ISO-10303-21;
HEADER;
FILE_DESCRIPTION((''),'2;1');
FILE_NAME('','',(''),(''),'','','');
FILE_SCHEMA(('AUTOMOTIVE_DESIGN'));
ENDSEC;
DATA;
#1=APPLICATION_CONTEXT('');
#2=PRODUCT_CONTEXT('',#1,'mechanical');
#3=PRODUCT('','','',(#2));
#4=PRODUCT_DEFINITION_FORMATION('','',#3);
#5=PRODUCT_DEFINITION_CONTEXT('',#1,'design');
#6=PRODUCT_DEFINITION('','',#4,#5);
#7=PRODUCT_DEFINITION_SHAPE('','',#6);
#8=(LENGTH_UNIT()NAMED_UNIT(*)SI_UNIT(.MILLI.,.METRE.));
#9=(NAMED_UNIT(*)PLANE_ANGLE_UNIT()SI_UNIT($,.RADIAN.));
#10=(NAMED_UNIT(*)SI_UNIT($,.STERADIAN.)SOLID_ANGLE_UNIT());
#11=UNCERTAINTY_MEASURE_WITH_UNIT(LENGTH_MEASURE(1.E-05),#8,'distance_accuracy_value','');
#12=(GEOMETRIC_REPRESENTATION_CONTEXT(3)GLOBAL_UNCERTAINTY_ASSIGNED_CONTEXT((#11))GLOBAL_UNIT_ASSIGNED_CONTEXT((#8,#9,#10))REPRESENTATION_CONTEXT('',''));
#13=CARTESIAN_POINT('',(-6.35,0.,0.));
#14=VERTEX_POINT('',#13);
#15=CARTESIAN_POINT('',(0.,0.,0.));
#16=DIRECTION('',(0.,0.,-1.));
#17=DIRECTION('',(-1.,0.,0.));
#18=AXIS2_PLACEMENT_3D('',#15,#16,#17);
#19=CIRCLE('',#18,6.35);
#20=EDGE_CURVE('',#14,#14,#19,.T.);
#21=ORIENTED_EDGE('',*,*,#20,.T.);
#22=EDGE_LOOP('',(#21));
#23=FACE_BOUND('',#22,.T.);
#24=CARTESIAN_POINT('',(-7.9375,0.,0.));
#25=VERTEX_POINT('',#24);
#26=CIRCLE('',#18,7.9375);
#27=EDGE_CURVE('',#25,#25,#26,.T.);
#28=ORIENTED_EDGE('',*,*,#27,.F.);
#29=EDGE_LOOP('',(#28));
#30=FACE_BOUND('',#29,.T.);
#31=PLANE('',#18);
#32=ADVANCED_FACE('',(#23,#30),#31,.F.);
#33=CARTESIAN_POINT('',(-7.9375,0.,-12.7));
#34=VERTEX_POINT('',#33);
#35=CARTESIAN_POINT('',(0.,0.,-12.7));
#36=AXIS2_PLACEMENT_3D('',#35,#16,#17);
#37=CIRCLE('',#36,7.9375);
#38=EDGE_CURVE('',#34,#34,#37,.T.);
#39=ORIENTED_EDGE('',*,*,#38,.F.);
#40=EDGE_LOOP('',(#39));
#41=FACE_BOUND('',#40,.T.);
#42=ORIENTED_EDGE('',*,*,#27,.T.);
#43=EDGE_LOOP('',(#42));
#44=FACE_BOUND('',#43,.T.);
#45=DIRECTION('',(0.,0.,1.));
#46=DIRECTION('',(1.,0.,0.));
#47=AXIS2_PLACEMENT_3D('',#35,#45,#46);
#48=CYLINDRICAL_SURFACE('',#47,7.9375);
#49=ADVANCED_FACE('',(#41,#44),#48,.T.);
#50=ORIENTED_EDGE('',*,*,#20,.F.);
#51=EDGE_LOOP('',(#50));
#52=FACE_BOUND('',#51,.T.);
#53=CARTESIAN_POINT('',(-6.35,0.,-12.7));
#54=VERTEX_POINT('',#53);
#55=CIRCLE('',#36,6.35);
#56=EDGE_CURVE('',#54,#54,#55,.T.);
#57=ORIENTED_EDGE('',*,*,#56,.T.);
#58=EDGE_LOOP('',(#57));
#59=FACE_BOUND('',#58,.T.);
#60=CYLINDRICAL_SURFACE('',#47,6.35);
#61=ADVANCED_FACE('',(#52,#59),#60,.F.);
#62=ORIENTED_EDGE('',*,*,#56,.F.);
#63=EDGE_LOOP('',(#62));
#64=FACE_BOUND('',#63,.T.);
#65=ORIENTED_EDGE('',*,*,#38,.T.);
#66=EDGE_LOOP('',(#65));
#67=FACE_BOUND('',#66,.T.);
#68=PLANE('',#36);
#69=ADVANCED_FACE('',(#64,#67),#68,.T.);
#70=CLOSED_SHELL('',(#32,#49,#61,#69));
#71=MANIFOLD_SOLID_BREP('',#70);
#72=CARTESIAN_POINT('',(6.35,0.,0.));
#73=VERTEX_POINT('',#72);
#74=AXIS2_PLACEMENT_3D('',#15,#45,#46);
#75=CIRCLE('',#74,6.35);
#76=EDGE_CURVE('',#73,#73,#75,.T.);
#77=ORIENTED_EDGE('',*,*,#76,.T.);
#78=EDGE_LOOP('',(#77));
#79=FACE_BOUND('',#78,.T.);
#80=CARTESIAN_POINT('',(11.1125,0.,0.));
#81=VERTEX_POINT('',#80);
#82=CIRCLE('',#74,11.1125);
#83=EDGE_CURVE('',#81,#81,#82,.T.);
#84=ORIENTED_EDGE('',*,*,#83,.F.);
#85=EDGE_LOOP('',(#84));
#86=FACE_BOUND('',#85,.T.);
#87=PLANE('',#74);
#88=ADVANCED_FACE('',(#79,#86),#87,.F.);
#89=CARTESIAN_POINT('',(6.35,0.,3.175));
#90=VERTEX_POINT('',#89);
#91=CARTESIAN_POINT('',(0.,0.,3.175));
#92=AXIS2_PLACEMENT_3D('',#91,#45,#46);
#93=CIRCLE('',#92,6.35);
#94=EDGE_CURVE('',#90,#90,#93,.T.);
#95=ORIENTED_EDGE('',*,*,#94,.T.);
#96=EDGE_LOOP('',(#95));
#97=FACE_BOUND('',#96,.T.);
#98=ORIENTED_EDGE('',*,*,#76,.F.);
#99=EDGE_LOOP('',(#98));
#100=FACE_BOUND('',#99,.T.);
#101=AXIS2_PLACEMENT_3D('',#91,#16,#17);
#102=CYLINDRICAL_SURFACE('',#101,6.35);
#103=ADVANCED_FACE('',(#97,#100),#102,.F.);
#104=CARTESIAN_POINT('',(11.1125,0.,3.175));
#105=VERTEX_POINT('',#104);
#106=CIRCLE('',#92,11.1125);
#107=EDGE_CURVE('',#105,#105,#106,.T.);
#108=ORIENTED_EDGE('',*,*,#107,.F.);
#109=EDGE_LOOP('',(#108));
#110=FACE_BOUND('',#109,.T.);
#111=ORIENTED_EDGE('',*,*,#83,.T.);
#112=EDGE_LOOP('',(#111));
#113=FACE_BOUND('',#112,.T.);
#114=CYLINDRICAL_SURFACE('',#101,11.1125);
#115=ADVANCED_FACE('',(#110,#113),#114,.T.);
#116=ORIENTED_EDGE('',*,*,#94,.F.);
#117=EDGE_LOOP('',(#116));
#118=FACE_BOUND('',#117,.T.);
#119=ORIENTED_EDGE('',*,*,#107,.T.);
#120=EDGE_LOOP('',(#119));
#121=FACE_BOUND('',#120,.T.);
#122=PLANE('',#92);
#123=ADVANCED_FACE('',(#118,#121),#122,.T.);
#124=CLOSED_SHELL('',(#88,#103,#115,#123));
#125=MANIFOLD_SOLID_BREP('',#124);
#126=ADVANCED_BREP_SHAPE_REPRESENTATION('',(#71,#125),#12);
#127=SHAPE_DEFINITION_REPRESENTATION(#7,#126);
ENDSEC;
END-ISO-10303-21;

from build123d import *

# Parameters (mm, degrees)
SKETCH1_R           = 11.1125
SKETCH1_R_2         = 6.35
BOSS_EXTRUDE1_DEPTH = 3.175
SKETCH2_R           = 7.9375
SKETCH2_R_2         = 6.35
BOSS_EXTRUDE2_DEPTH = 12.7


with BuildPart() as part:
    # Sketch1 → Boss-Extrude1 (new body)
    with BuildSketch(Plane.XY):
        Circle(SKETCH1_R)
        Circle(SKETCH1_R_2, mode=Mode.SUBTRACT)
    extrude(amount=BOSS_EXTRUDE1_DEPTH)


with BuildPart() as body_2:
    # Sketch2 → Boss-Extrude2 (new body)
    with BuildSketch(Plane(origin=(0, 0, 0), x_dir=(-1, 0, 0), z_dir=(0, 0, -1))):
        Circle(SKETCH2_R)
        Circle(SKETCH2_R_2, mode=Mode.SUBTRACT)
    extrude(amount=BOSS_EXTRUDE2_DEPTH)


solid = Compound([part.part, body_2.part])
